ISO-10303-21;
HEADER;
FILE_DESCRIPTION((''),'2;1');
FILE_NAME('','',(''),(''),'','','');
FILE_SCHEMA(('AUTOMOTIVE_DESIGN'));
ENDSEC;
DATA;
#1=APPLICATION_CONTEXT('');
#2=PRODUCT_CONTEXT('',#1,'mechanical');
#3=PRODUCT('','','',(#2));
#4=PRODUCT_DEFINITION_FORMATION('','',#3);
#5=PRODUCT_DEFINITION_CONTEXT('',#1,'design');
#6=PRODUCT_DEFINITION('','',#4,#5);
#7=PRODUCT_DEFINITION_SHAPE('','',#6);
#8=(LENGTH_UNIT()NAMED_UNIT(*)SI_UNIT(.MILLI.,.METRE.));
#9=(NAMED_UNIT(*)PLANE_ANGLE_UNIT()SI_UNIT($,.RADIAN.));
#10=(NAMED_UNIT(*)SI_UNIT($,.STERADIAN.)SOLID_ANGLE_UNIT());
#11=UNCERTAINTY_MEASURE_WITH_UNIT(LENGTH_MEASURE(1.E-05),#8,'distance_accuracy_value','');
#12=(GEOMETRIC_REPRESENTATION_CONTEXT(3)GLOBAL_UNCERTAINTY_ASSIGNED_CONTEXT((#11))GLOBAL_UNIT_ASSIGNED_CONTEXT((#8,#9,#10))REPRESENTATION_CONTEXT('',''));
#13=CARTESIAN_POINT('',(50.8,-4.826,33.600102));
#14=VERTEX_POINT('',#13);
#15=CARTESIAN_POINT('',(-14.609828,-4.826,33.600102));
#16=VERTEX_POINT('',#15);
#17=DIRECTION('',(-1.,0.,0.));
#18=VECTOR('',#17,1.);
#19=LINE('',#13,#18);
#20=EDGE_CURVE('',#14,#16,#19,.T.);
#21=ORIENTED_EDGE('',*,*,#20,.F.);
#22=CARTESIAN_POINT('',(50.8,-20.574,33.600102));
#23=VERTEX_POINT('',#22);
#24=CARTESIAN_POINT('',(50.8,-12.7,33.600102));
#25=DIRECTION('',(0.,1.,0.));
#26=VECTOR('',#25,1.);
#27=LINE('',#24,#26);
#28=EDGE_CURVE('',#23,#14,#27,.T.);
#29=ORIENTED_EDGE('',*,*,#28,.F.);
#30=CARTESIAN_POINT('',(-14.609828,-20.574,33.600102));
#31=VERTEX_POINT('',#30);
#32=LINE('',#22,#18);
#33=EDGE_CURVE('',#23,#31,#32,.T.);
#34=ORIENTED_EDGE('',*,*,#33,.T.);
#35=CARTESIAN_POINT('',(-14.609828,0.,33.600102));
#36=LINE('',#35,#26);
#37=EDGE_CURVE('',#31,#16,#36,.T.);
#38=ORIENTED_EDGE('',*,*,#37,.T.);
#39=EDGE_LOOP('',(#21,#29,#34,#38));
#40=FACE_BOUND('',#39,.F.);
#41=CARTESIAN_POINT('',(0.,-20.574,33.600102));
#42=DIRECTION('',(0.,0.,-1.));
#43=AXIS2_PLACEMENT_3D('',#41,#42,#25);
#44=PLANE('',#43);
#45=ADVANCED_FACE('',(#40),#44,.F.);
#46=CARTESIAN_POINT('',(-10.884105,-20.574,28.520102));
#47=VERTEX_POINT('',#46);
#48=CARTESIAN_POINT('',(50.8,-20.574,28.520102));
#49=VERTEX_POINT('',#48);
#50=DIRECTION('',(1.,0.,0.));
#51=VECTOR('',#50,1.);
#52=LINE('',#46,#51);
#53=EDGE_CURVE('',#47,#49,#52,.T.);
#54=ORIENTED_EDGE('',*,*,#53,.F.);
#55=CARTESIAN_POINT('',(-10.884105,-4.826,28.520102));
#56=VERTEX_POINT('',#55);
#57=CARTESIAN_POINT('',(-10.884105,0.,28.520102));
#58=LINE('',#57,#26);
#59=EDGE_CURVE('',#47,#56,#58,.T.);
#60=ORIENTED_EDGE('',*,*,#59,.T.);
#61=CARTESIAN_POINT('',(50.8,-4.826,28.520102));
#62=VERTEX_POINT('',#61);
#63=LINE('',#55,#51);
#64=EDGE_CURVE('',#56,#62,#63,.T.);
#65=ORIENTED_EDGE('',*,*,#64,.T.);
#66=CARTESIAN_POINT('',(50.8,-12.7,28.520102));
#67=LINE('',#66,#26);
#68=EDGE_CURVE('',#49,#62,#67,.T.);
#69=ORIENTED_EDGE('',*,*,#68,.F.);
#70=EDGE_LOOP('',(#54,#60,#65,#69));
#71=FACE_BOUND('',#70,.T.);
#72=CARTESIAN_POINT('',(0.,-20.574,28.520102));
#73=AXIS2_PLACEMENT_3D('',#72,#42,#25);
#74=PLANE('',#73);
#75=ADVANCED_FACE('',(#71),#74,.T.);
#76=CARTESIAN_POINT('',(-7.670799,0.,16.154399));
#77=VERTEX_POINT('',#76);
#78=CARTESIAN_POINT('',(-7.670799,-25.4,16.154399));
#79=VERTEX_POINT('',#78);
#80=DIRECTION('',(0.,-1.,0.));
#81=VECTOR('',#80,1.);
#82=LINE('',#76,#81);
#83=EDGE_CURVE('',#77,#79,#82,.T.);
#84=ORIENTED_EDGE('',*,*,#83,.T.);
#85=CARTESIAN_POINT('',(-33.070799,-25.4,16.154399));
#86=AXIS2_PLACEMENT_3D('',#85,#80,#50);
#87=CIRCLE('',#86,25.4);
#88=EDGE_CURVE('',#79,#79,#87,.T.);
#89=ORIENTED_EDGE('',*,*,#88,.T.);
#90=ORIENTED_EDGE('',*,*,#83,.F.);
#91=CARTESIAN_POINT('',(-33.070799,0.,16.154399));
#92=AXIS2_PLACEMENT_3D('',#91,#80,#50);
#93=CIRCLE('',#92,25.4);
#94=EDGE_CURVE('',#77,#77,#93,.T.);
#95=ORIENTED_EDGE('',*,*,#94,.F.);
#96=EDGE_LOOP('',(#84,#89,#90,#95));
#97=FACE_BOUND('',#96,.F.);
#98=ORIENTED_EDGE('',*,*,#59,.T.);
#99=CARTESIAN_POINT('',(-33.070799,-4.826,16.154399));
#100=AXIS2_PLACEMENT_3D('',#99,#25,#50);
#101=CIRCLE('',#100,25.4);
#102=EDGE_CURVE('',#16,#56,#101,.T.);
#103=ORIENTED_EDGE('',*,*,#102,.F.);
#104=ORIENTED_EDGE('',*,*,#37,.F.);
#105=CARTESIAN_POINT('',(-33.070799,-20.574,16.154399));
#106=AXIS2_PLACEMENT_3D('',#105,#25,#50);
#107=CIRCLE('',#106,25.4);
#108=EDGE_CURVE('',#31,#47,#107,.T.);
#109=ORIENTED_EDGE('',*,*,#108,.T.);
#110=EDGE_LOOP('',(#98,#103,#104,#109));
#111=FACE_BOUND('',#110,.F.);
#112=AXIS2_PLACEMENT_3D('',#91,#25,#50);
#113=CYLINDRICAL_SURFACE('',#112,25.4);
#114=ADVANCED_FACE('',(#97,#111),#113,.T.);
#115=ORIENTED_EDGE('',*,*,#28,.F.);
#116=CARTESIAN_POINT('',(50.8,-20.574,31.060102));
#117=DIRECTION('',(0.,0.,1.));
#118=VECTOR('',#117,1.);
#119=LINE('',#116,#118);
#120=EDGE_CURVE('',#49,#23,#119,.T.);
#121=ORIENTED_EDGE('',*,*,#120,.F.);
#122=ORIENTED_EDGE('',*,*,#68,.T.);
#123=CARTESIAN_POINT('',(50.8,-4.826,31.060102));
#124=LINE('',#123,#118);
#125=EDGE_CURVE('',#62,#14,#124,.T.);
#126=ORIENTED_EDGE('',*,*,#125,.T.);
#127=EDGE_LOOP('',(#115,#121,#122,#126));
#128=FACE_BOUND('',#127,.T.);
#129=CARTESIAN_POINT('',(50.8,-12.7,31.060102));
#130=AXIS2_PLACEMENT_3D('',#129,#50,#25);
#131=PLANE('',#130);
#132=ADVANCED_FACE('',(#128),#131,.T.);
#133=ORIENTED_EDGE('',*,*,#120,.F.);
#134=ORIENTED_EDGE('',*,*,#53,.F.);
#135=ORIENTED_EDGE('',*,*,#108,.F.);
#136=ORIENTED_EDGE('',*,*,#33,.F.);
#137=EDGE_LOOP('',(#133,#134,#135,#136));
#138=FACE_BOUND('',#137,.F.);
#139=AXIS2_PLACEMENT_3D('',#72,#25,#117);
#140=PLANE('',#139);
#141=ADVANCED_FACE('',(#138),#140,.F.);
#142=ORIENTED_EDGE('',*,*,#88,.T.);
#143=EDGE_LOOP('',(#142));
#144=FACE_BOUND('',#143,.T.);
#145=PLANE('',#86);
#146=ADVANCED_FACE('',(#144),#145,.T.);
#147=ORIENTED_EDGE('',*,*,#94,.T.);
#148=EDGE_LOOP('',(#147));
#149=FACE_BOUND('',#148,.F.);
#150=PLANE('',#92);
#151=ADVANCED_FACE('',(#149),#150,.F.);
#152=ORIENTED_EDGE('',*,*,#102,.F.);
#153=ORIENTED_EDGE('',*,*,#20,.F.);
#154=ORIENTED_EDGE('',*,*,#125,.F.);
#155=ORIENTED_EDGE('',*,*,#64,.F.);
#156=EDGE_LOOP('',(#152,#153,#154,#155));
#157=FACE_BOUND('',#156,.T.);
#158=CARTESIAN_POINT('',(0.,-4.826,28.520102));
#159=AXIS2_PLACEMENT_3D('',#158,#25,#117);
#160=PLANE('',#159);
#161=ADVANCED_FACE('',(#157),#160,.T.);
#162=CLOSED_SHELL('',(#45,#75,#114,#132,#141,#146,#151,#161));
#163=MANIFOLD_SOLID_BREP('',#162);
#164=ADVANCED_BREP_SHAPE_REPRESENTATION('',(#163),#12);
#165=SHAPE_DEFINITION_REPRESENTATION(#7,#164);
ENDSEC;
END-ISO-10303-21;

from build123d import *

# Parameters (mm, degrees)
F0_R          = 25.4
F1_DEPTH      = 25.4
F2_W          = 15.748
F2_H          = 5.08
F3_DEPTH      = 50.8
F3_DEPTH_BACK = 25.4


with BuildPart() as f1:
    # F0 (on Front) → F1 (new body)
    with BuildSketch(Plane.XZ):
        with Locations((-33.070799, 16.154399)):
            Circle(F0_R)
    extrude(amount=F1_DEPTH)

    # F2 (on Right) → F3 (join, two sides)
    with BuildSketch(Plane.YZ) as f3_sk:
        with Locations((-12.7, 31.060102)):
            Rectangle(F2_W, F2_H)
    extrude(amount=F3_DEPTH)
    extrude(f3_sk.sketch, amount=-F3_DEPTH_BACK)


solid = f1.part
